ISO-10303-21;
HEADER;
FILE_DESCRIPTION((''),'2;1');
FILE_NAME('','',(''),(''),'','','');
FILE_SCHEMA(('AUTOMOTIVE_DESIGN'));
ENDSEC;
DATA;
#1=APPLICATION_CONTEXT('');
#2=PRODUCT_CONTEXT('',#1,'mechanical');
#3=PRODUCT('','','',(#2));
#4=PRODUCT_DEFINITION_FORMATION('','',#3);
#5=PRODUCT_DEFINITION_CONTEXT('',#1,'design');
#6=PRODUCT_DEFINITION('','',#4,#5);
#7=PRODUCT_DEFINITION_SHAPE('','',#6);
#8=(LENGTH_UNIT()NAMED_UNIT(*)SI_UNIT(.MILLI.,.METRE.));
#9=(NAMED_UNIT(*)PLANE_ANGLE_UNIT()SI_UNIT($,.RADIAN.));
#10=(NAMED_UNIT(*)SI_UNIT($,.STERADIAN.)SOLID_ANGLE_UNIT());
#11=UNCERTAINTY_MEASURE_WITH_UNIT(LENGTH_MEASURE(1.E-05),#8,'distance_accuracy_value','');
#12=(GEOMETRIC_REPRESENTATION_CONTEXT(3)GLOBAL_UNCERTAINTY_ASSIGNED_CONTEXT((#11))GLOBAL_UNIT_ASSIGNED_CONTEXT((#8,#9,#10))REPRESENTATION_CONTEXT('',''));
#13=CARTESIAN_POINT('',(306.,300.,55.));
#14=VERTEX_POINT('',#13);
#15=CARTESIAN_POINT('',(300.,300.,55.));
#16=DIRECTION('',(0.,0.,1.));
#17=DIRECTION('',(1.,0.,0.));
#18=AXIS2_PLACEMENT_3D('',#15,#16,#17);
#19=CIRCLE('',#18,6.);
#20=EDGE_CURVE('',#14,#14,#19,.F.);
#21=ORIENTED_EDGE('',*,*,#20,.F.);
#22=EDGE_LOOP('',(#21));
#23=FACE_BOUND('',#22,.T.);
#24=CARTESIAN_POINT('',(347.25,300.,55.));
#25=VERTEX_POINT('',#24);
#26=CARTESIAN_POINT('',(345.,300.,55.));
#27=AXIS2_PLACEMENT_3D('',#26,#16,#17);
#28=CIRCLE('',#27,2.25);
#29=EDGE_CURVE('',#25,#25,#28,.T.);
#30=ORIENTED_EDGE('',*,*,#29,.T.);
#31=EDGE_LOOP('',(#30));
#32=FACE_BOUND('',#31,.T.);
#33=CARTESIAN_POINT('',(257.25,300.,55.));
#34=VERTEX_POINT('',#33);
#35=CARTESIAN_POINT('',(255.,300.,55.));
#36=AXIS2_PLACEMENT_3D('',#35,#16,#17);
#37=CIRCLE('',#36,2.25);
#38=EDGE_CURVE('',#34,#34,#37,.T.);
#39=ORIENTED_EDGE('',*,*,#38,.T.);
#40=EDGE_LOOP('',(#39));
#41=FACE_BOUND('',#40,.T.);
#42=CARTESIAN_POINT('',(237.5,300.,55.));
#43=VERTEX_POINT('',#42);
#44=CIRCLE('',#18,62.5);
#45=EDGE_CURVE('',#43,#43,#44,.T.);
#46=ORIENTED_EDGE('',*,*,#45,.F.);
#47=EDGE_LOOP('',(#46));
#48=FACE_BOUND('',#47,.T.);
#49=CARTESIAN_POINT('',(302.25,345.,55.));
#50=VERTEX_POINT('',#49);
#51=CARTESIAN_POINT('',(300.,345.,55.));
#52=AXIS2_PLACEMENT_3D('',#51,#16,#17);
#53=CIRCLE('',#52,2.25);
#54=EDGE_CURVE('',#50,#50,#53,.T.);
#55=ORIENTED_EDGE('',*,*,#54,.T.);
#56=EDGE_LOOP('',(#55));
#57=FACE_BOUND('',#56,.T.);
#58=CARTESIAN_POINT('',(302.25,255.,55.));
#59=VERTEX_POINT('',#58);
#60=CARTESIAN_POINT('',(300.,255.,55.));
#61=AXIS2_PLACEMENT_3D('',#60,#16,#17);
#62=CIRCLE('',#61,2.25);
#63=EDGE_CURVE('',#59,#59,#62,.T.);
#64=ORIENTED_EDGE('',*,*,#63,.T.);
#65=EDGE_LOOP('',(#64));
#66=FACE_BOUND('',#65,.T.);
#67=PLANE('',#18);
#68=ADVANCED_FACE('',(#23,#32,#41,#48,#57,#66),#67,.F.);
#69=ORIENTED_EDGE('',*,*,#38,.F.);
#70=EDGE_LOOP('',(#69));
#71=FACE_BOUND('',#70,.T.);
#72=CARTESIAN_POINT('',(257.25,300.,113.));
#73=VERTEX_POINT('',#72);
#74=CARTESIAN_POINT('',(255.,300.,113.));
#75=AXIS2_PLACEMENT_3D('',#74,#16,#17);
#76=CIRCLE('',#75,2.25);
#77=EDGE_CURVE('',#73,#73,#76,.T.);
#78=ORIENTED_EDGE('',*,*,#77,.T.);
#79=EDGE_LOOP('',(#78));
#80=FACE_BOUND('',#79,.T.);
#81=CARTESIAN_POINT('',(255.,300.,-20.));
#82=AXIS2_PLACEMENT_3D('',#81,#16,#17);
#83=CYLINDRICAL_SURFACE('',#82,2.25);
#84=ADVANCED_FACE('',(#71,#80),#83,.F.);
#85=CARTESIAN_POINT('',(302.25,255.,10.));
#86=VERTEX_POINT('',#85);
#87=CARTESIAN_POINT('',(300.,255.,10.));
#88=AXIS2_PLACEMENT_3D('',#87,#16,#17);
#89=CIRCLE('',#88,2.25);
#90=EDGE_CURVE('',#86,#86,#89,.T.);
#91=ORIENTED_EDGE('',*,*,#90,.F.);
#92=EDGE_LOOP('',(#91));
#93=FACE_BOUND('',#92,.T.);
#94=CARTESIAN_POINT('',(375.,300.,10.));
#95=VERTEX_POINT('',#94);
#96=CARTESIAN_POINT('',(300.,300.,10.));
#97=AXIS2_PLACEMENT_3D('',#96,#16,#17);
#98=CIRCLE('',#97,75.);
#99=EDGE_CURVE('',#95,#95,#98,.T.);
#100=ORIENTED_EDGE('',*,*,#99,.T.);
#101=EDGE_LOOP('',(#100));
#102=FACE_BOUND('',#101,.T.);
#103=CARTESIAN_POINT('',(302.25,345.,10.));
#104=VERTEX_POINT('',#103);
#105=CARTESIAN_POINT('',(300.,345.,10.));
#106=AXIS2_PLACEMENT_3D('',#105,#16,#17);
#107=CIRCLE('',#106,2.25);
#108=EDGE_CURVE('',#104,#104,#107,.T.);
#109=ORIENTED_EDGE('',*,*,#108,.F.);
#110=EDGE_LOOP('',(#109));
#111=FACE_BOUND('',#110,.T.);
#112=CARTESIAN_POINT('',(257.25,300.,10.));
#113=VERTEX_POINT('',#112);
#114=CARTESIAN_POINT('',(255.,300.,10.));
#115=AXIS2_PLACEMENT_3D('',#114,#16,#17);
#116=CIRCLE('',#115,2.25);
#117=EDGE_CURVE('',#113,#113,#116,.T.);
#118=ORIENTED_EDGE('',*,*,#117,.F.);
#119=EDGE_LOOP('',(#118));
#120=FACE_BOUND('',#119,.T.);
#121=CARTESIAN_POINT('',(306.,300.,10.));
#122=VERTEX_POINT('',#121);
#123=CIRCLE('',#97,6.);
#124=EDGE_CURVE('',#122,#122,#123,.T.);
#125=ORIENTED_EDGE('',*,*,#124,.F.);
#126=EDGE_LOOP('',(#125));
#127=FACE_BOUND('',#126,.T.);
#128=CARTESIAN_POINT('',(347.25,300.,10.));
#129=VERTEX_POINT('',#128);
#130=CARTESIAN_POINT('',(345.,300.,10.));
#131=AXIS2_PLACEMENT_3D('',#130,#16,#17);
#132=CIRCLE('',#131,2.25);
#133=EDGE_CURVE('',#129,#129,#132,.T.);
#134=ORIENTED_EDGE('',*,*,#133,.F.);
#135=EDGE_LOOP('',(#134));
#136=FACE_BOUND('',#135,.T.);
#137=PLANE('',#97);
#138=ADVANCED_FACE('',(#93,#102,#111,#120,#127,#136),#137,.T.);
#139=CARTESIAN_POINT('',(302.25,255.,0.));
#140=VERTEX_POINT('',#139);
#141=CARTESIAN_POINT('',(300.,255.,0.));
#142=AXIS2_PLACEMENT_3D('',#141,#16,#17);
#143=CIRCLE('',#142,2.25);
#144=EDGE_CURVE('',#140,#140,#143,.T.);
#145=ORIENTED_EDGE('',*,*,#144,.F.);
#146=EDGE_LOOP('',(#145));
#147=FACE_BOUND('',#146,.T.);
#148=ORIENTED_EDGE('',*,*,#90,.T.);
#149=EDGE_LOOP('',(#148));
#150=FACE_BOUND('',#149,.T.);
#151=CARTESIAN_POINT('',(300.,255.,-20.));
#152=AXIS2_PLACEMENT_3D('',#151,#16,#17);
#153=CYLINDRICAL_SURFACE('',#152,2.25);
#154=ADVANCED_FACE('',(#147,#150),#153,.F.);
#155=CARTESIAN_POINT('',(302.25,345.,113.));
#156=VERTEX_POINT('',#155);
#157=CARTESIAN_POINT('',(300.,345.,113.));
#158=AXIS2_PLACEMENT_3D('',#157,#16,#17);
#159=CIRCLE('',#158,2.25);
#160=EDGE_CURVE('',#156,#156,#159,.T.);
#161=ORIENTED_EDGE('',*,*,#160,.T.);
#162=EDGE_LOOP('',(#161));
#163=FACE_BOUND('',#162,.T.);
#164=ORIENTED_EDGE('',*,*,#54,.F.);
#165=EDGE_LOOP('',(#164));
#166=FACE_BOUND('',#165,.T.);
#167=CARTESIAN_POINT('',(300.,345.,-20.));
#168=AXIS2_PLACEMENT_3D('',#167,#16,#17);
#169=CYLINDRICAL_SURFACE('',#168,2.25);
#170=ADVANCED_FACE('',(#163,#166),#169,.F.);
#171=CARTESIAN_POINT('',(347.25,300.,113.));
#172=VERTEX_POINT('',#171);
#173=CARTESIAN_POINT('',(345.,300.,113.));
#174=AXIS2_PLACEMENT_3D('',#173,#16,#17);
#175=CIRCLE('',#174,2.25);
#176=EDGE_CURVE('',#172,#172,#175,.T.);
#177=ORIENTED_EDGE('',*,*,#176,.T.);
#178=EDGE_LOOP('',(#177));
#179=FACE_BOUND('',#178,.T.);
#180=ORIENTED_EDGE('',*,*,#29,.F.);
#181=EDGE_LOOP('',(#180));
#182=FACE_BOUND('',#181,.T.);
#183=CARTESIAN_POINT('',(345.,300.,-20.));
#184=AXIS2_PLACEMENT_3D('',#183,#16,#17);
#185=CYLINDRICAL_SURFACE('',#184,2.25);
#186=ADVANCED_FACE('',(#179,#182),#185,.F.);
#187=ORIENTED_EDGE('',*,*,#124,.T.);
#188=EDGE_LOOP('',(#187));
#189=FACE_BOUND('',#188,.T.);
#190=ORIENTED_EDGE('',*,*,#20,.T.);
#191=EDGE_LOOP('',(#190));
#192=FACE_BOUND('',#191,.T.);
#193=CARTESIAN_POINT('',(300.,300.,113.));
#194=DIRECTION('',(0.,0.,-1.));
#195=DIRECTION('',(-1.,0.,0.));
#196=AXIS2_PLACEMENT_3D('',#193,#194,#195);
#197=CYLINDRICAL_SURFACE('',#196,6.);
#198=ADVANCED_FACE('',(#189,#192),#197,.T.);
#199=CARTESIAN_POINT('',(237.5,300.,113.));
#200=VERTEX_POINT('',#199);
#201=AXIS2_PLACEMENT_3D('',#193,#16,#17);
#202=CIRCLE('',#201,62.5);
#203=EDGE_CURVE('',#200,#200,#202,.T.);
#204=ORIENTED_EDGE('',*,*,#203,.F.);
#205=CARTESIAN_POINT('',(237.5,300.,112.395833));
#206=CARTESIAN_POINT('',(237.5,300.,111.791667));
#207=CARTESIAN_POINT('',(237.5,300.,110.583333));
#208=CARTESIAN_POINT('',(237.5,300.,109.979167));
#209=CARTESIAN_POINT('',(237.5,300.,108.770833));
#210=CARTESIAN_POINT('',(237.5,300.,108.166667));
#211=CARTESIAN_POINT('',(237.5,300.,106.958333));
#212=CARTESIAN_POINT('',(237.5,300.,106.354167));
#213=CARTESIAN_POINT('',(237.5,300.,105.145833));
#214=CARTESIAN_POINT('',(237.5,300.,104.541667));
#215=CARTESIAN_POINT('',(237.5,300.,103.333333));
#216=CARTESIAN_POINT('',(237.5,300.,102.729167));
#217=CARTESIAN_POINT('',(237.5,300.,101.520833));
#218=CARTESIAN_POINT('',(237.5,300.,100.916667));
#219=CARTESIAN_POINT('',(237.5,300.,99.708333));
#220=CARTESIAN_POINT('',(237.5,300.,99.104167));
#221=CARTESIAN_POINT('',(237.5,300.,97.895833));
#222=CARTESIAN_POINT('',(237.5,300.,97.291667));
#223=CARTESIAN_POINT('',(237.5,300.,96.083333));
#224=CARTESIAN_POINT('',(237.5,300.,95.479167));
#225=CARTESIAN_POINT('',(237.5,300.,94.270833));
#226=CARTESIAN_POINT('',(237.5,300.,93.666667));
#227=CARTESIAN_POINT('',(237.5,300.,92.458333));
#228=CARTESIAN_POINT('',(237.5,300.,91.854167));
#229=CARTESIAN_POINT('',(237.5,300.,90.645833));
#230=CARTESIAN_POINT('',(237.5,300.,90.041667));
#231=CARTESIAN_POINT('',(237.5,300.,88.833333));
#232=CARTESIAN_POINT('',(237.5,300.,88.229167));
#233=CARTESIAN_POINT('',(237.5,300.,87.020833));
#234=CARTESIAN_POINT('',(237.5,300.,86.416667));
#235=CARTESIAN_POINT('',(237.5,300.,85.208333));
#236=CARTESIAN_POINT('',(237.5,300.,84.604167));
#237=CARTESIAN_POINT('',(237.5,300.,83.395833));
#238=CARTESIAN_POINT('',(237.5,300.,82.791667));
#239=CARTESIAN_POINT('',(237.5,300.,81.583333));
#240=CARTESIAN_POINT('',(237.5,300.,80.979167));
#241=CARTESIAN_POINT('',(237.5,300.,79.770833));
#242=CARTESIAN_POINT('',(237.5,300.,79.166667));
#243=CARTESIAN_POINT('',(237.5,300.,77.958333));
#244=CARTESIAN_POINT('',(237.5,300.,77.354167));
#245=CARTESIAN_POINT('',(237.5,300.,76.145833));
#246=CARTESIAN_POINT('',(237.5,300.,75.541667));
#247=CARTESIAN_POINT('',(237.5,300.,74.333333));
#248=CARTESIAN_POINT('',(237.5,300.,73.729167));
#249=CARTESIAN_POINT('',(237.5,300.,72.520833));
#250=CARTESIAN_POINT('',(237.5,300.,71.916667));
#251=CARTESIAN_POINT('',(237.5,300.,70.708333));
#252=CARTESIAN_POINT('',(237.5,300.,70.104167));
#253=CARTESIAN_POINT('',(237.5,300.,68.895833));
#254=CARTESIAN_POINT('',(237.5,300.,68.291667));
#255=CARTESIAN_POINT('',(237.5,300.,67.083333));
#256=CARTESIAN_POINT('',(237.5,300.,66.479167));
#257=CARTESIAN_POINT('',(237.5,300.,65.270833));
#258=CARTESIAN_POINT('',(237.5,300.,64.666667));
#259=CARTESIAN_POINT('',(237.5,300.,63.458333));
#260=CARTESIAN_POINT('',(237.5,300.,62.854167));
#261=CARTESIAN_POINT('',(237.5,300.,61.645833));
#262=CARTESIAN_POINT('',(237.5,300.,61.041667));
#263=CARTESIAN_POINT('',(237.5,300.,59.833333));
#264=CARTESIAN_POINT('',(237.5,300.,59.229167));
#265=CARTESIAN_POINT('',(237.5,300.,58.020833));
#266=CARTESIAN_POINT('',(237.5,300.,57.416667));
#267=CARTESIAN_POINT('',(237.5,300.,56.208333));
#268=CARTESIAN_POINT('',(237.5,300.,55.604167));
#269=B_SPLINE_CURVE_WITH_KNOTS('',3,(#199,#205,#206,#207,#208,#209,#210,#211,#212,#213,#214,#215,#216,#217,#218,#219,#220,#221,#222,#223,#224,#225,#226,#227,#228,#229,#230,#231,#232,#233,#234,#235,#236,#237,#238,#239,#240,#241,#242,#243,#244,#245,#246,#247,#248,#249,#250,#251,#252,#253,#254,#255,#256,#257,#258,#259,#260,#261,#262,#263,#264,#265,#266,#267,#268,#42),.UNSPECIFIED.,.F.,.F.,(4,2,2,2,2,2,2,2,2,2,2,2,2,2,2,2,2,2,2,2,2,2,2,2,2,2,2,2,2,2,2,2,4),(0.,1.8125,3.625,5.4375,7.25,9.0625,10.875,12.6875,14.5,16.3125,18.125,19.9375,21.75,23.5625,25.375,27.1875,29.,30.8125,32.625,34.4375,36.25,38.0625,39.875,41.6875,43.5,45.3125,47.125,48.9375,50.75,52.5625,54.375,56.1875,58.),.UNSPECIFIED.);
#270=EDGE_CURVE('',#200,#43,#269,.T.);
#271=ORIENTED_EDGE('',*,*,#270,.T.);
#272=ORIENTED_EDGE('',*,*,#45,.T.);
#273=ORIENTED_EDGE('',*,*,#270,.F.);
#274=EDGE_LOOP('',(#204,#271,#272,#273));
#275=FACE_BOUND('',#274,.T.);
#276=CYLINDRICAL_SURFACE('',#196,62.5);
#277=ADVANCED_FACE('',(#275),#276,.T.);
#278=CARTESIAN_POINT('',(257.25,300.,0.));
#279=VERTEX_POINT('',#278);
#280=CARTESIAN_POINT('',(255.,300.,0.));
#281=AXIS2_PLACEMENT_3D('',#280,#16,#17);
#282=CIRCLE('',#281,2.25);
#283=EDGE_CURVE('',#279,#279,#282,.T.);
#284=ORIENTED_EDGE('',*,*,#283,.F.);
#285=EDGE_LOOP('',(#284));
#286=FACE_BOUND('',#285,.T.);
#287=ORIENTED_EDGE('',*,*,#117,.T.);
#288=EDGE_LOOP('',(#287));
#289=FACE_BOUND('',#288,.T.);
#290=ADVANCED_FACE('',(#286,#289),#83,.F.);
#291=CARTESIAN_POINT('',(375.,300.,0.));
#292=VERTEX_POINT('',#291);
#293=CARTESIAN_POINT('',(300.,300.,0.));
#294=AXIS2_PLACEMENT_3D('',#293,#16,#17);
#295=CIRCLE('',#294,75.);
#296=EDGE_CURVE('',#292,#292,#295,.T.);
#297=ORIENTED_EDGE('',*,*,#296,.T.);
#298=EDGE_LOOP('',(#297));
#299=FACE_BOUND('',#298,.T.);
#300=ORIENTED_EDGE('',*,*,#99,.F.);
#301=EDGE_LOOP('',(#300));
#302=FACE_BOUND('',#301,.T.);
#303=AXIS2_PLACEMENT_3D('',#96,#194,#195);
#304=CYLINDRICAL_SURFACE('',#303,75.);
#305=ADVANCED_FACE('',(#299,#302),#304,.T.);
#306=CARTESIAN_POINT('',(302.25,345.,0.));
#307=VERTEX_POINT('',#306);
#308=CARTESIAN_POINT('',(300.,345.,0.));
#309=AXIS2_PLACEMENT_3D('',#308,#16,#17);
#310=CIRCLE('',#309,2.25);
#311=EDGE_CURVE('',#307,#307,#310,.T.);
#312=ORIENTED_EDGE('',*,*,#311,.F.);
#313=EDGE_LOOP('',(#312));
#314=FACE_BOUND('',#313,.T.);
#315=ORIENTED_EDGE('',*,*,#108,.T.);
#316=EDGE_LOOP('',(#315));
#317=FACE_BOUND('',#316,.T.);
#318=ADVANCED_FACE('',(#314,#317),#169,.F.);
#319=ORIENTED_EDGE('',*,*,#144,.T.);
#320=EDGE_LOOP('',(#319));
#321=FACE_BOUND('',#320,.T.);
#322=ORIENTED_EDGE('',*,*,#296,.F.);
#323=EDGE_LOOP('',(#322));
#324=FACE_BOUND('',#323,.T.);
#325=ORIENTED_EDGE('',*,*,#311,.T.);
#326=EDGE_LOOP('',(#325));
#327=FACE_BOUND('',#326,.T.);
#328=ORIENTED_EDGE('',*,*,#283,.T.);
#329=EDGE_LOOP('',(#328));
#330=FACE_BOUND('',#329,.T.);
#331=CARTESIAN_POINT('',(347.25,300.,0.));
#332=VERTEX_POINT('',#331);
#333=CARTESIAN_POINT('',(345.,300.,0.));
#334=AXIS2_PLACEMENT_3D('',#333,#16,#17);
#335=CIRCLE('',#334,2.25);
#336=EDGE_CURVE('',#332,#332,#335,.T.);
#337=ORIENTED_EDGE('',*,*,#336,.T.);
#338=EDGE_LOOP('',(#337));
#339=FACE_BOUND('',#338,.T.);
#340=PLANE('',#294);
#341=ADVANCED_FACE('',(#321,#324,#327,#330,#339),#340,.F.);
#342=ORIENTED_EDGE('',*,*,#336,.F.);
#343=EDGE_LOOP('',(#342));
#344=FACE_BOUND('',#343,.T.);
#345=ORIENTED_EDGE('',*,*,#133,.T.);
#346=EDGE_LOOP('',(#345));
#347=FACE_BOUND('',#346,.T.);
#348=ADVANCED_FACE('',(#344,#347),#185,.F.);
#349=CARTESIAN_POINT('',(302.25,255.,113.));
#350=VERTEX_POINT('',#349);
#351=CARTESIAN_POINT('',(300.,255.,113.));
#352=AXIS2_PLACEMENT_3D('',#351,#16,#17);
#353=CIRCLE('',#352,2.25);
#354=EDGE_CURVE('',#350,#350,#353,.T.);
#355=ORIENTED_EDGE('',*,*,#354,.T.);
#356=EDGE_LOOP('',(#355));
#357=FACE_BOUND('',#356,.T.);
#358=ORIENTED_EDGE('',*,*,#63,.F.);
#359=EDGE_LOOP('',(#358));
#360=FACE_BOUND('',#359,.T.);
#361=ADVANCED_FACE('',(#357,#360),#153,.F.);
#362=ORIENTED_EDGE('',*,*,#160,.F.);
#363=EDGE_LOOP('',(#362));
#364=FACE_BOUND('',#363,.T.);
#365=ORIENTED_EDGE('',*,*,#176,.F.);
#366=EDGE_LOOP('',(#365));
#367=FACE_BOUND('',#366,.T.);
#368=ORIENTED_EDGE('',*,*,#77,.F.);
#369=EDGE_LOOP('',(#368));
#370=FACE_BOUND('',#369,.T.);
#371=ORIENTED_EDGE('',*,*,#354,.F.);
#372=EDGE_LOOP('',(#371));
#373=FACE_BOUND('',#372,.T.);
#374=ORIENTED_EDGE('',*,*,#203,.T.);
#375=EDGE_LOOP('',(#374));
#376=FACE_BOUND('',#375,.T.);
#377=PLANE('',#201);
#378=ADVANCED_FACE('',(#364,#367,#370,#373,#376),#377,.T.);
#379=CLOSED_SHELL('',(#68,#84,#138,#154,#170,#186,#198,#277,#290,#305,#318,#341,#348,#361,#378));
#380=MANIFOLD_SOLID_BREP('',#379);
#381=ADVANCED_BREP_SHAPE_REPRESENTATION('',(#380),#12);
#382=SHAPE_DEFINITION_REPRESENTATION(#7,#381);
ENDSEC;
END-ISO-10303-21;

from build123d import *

# Parameters (mm, degrees)
SKETCH1_R           = 62.5
BOSS_EXTRUDE1_DEPTH = 58
SKETCH2_R           = 6
BOSS_EXTRUDE2_DEPTH = 113
SKETCH3_R           = 75
BOSS_EXTRUDE3_DEPTH = 10
SKETCH4_R           = 2.25
CUT_EXTRUDE1_DEPTH  = 133
SKETCH5_R           = 2.25
CUT_EXTRUDE2_DEPTH  = 133
SKETCH6_R           = 2.25
CUT_EXTRUDE3_DEPTH  = 133
SKETCH7_R           = 2.25
CUT_EXTRUDE4_DEPTH  = 133


with BuildPart() as part:
    # Sketch1 → Boss-Extrude1 (new body)
    with BuildSketch(Plane.XY.offset(55)):
        with Locations(Location((300, 300, 0), (0, 0, 180))):
            Circle(SKETCH1_R)
    extrude(amount=BOSS_EXTRUDE1_DEPTH)

    # Sketch2 → Boss-Extrude2 (add)
    with BuildSketch(Plane.XY):
        with Locations((300, 300)):
            Circle(SKETCH2_R)
    extrude(amount=BOSS_EXTRUDE2_DEPTH)

    # Sketch3 → Boss-Extrude3 (add)
    with BuildSketch(Plane.XY):
        with Locations((300, 300)):
            Circle(SKETCH3_R)
    extrude(amount=BOSS_EXTRUDE3_DEPTH)

    # Sketch4 → Cut-Extrude1 (cut)
    with BuildSketch(Plane.XY.offset(113)):
        with Locations((345, 300)):
            Circle(SKETCH4_R)
    extrude(amount=-CUT_EXTRUDE1_DEPTH, mode=Mode.SUBTRACT)

    # Sketch5 → Cut-Extrude2 (cut)
    with BuildSketch(Plane.XY.offset(113)):
        with Locations((255, 300)):
            Circle(SKETCH5_R)
    extrude(amount=-CUT_EXTRUDE2_DEPTH, mode=Mode.SUBTRACT)

    # Sketch6 → Cut-Extrude3 (cut)
    with BuildSketch(Plane.XY.offset(113)):
        with Locations((300, 345)):
            Circle(SKETCH6_R)
    extrude(amount=-CUT_EXTRUDE3_DEPTH, mode=Mode.SUBTRACT)

    # Sketch7 → Cut-Extrude4 (cut)
    with BuildSketch(Plane.XY.offset(113)):
        with Locations((300, 255)):
            Circle(SKETCH7_R)
    extrude(amount=-CUT_EXTRUDE4_DEPTH, mode=Mode.SUBTRACT)


solid = part.part
